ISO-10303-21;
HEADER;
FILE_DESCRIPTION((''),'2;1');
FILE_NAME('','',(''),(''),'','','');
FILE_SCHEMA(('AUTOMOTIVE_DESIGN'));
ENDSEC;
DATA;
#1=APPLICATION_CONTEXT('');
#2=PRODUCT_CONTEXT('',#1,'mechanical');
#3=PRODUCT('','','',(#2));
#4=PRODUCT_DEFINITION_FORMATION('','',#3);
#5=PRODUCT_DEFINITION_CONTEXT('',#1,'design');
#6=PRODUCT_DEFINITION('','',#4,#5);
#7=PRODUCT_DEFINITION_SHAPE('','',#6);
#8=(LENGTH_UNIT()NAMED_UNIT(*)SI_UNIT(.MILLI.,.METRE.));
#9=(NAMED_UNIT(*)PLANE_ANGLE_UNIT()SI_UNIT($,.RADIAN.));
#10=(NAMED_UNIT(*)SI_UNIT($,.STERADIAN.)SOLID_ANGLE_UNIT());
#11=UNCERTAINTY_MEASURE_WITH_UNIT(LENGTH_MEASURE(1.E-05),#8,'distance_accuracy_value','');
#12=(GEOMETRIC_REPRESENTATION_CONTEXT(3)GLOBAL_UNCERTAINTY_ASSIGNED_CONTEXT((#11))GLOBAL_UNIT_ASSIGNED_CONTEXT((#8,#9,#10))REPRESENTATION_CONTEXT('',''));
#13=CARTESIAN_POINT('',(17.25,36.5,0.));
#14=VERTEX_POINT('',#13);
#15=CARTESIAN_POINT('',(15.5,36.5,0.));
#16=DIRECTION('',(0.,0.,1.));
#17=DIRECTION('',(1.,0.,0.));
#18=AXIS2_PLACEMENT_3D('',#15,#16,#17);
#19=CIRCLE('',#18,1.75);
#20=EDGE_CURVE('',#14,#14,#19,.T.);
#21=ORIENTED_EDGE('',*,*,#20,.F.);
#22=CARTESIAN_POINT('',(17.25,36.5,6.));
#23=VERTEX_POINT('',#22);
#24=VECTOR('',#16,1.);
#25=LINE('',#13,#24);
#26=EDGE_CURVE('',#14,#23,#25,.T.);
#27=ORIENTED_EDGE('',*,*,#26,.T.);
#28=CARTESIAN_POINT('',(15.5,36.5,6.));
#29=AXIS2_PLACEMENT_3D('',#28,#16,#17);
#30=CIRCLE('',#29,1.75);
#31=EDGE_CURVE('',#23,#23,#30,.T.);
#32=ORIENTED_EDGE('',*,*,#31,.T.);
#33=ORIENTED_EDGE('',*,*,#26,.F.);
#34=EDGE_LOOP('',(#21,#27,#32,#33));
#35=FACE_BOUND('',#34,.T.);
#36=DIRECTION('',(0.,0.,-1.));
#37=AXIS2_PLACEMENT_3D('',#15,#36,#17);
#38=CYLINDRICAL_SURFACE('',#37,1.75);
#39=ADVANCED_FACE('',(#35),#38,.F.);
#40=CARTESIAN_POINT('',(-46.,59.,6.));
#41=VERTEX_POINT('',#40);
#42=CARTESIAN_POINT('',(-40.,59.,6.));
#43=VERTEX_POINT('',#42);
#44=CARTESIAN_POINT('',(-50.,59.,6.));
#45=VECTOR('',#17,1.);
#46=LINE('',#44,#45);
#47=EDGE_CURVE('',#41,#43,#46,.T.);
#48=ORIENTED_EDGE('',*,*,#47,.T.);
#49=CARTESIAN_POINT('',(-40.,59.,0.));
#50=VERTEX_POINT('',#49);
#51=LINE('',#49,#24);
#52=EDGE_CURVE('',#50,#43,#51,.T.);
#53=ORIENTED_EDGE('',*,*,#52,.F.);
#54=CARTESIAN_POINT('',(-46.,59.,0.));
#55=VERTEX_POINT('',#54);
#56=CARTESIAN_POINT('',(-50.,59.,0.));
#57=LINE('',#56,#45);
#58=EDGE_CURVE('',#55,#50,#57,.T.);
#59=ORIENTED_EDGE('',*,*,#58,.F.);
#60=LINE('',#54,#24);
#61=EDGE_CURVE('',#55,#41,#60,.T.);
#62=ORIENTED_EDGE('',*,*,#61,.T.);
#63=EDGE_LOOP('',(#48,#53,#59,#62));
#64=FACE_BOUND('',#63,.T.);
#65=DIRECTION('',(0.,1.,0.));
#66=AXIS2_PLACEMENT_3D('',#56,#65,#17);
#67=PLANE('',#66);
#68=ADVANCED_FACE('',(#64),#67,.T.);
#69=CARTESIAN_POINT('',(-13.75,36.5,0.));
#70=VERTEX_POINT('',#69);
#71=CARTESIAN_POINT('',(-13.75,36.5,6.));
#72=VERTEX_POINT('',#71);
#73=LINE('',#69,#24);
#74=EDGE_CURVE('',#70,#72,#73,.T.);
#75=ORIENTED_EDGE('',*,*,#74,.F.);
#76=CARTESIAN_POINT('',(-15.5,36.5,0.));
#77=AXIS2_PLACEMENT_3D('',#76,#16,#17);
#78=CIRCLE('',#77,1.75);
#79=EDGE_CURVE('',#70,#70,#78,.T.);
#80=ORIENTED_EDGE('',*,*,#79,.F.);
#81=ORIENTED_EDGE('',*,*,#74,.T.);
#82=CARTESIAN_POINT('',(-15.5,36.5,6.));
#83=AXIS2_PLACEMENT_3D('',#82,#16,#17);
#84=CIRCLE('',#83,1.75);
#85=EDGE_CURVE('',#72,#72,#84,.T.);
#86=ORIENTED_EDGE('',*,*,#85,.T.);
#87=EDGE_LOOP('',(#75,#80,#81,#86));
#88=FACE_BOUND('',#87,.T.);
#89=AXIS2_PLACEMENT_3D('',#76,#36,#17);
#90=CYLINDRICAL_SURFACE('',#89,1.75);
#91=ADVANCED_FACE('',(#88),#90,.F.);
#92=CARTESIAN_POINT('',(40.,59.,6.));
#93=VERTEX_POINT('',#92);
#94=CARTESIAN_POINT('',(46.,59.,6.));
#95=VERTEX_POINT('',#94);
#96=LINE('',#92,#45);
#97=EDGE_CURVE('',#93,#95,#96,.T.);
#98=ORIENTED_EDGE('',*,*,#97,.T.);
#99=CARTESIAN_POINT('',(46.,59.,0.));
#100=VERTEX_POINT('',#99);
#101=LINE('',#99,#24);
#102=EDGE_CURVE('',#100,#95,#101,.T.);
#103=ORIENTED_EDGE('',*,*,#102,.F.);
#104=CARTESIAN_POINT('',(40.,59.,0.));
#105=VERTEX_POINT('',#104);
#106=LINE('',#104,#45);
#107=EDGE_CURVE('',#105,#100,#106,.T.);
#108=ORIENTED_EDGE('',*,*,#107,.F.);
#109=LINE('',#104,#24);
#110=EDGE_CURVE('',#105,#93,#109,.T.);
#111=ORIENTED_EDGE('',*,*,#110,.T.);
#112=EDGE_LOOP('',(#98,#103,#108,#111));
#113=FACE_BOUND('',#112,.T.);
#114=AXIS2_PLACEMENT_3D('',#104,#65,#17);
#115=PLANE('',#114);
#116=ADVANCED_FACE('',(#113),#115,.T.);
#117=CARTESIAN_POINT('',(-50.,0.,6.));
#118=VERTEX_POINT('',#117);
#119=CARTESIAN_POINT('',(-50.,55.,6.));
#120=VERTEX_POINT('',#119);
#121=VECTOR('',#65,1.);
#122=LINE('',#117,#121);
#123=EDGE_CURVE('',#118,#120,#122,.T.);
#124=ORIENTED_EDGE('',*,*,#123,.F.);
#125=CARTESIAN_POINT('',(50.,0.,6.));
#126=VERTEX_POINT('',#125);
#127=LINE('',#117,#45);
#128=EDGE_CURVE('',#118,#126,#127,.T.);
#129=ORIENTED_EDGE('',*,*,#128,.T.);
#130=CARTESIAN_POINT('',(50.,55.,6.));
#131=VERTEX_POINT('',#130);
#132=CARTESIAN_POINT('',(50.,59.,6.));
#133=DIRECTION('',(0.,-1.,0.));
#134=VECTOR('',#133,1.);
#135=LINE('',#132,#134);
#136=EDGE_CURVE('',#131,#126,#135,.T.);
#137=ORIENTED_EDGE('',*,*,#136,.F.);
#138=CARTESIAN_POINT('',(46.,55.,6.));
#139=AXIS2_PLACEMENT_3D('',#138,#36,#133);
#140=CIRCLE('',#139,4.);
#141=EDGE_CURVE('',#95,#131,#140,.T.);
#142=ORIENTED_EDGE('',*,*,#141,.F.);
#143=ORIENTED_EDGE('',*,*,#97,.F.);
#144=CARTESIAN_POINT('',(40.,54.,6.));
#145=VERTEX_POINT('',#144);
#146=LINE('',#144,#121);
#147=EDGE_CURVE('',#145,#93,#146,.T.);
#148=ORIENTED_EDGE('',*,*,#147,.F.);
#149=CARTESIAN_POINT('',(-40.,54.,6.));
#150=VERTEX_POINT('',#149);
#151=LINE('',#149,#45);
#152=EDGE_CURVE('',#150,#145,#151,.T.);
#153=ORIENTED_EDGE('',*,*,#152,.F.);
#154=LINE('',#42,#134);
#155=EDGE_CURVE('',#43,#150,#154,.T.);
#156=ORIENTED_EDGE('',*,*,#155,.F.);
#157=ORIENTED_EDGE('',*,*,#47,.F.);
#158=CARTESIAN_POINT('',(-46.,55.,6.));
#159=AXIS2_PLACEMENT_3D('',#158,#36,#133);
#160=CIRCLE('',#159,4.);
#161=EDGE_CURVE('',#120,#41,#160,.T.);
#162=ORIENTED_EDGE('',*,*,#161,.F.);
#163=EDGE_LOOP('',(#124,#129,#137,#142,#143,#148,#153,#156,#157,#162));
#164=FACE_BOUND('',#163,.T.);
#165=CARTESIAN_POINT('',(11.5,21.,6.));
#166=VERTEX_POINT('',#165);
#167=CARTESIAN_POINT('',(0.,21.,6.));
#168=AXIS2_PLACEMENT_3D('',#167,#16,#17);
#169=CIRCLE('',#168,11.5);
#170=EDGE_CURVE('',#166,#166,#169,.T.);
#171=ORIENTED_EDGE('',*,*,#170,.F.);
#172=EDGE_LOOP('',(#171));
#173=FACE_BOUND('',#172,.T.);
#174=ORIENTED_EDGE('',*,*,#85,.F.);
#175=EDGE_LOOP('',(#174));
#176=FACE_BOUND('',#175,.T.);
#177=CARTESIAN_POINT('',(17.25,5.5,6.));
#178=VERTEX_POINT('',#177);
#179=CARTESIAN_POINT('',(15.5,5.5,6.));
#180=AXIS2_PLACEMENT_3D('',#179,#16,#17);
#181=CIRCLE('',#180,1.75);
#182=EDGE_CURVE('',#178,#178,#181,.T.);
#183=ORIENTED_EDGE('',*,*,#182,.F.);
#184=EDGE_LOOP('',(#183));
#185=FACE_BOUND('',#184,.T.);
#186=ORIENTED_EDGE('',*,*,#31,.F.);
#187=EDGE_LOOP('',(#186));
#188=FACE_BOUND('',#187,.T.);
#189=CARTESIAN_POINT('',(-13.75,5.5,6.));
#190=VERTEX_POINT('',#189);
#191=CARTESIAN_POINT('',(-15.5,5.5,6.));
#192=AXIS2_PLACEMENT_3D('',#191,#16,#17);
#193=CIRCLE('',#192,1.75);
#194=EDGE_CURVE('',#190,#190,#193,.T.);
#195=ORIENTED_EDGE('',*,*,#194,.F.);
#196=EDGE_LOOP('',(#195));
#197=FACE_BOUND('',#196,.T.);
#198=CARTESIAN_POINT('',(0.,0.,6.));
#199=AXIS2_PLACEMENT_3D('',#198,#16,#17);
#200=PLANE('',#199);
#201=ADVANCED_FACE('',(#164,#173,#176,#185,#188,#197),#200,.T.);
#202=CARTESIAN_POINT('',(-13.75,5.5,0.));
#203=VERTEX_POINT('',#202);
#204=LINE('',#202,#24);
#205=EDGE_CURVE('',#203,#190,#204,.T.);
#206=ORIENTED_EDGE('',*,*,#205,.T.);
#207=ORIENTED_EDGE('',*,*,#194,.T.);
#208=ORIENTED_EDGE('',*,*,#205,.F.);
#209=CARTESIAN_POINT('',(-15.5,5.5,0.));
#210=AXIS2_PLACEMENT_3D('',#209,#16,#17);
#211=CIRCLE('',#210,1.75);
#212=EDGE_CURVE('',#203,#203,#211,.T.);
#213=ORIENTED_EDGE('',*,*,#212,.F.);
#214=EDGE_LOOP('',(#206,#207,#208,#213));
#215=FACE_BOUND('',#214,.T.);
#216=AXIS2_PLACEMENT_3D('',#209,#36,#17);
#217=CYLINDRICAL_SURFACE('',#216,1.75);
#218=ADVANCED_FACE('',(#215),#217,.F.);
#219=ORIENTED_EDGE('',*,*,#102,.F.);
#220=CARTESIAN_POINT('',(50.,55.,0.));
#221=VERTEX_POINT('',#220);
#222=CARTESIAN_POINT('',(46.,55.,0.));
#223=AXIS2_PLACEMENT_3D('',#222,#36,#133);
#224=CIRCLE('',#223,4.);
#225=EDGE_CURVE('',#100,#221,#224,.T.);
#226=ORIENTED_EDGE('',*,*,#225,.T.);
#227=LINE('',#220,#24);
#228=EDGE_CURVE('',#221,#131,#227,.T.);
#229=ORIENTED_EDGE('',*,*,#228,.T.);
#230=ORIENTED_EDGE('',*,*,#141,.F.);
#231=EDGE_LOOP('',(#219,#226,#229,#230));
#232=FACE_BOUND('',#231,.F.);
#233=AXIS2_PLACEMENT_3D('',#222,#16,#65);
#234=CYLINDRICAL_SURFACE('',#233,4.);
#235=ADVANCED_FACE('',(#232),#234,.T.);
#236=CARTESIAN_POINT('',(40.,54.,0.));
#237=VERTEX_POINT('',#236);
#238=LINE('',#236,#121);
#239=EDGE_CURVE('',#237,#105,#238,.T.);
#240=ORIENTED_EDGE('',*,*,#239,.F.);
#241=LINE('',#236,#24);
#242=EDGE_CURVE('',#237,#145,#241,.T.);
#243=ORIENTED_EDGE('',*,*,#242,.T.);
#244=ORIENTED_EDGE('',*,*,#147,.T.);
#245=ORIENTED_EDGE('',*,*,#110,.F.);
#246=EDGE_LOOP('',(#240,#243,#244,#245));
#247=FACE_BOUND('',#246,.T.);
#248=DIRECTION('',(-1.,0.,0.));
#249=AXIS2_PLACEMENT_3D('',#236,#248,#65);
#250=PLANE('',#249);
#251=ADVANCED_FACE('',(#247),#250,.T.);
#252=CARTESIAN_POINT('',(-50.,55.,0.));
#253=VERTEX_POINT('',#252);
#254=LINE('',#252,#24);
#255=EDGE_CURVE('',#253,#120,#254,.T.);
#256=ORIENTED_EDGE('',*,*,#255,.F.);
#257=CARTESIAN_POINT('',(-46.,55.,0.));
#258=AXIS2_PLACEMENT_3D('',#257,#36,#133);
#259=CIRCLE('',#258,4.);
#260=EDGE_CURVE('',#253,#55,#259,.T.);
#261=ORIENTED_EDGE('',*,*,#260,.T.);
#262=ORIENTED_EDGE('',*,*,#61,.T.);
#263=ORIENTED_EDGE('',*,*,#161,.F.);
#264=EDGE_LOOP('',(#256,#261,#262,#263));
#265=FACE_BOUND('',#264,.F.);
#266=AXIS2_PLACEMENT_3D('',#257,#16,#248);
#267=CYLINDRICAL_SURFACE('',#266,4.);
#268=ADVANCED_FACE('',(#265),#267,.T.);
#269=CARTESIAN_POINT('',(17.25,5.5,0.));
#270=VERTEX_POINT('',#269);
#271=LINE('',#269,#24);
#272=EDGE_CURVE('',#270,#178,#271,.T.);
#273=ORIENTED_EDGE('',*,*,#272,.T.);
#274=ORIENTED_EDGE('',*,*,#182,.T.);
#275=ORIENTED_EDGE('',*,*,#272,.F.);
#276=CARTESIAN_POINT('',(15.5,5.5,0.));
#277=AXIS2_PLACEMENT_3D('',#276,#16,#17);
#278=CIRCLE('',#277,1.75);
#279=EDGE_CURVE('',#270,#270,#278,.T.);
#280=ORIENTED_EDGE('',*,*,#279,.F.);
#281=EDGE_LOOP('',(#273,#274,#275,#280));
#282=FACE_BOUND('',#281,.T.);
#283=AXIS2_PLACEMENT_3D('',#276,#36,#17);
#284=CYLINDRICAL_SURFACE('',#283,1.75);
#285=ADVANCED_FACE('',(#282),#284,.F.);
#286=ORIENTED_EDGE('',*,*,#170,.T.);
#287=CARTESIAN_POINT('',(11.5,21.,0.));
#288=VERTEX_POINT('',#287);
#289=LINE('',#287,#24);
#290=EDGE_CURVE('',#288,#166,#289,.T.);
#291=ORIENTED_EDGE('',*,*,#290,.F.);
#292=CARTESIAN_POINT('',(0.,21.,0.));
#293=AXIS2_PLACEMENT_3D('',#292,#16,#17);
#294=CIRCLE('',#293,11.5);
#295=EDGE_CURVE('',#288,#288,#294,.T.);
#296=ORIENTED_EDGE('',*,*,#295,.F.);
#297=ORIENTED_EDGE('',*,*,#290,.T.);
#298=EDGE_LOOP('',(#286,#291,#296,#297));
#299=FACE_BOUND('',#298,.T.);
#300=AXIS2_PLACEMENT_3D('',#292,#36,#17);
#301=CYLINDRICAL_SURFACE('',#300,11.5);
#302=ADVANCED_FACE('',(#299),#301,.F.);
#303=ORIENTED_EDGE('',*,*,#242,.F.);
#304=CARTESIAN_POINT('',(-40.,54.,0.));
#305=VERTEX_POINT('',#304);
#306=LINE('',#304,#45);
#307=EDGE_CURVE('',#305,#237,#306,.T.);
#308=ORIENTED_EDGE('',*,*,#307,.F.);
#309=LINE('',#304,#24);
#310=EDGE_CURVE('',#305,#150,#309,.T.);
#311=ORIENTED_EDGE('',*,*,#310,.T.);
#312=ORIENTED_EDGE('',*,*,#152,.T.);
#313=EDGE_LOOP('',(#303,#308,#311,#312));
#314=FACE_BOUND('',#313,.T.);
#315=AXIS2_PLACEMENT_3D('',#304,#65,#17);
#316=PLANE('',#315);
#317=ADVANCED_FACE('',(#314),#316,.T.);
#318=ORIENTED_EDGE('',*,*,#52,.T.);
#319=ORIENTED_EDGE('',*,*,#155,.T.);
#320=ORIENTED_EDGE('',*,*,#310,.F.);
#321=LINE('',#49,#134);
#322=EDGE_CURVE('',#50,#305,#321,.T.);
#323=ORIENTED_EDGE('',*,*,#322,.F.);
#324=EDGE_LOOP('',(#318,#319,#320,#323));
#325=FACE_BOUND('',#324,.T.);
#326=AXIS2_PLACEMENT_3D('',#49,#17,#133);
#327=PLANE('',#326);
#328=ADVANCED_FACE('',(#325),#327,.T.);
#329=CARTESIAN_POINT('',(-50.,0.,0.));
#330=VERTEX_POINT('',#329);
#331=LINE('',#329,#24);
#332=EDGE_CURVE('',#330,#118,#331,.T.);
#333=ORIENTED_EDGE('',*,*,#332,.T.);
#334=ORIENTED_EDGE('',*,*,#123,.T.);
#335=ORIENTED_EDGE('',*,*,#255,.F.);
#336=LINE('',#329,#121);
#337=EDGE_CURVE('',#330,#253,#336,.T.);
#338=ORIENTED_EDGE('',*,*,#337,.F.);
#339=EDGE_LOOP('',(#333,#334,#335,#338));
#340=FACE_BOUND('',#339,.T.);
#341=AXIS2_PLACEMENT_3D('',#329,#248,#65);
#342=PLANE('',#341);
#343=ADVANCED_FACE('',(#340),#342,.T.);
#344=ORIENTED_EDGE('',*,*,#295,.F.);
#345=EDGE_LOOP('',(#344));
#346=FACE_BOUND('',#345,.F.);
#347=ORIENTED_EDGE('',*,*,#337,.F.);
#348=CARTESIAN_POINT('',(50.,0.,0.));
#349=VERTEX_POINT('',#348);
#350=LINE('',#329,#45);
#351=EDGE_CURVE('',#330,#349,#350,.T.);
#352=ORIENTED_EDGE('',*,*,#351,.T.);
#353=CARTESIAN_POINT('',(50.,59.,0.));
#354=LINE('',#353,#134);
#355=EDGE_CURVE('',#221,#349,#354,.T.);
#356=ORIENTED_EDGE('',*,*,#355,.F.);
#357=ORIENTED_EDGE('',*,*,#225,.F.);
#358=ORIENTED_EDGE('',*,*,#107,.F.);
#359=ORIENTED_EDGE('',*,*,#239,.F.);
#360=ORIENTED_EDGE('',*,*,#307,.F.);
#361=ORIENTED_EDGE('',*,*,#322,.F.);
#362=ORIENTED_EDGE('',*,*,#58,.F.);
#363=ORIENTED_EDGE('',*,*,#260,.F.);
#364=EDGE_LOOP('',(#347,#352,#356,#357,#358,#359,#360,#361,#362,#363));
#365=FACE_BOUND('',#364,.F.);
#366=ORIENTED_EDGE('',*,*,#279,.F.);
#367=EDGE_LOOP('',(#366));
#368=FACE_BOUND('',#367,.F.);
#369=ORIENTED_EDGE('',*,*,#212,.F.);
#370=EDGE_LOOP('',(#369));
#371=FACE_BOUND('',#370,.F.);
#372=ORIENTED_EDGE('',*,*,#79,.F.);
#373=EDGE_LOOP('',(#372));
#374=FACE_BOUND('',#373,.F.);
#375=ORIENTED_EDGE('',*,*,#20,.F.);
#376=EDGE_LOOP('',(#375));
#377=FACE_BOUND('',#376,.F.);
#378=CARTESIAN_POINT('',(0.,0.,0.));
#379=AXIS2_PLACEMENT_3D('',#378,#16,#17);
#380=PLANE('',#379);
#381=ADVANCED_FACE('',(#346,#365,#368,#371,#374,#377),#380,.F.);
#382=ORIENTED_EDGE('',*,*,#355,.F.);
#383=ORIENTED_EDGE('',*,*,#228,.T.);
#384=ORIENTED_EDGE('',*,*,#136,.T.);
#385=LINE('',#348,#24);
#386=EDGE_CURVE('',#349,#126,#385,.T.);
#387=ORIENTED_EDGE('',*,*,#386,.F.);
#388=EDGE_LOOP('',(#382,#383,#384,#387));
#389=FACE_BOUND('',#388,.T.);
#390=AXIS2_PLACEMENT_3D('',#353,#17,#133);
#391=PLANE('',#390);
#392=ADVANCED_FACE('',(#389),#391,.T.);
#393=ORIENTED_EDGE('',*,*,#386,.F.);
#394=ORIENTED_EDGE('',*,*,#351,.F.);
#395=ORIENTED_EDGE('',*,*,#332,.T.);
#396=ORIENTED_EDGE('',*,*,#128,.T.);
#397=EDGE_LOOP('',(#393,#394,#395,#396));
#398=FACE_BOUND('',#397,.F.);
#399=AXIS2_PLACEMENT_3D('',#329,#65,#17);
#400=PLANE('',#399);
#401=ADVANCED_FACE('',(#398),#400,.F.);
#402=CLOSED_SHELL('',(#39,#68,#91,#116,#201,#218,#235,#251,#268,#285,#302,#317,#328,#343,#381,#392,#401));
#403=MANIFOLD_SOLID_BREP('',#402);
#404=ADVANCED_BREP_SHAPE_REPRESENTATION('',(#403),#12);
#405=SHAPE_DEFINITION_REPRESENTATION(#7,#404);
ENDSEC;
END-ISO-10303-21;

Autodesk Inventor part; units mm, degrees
ref_plane "YZ Plane" through (0, 0, 0) normal (1, 0, 0) x (0, 1, 0)
ref_plane "XZ Plane" through (0, 0, 0) normal (0, 1, 0) x (-1, 0, 0)
ref_plane "XY Plane" through (0, 0, 0) normal (0, 0, 1) x (1, 0, 0)
sketch "Sketch1" plane through (0, 0, 0) normal (0, 0, 1) x (1, 0, 0)
  line L0 (-50, 0) -> (50, 0)
  circle A0 centre (-15.5, 36.5) radius 1.75
  circle A1 centre (15.5, 36.5) radius 1.75
  circle A2 centre (-15.5, 5.5) radius 1.75
  circle A3 centre (15.5, 5.5) radius 1.75
  circle A4 centre (0, 21) radius 11.5
  line L1 (-50, 0) -> (-50, 59)
  line L2 (50, 59) -> (50, 0)
  line L3 (-50, 59) -> (-40, 59)
  line L4 (-40, 59) -> (-40, 54)
  line L5 (-40, 54) -> (40, 54)
  line L6 (40, 54) -> (40, 59)
  line L7 (40, 59) -> (50, 59)
  point P0 (0, 0)
  point P1 (0, 42)
  point P2 (0, 0)
  point P3 (0, 54)
  dimension "d4" = 100
  dimension "d13" = 3.5
  dimension "d14" = 3.5
  dimension "d15" = 15.5
  dimension "d16" = 15.5
  dimension "d17" = 36.5
  dimension "d21" = 3.5
  dimension "d22" = 3.5
  dimension "d23" = 31
  dimension "d24" = 23
  dimension "d28" = 21
  dimension "d31" = 80
  dimension "d32" = 5
  dimension "d33" = 59
  dimension "d34" = 54
extrude "Extrusion2" add sketch "Sketch1" along normal blind 6
fillet "Fillet3" radius 4 2 edges at (-50, 59, 3) (50, 59, 3)
equation "\"d14\" = d13"
equation "\"d16\" = d15"
equation "\"d21\" = d13"
equation "\"d22\" = d13"
properties part number "Tope riel motor"
